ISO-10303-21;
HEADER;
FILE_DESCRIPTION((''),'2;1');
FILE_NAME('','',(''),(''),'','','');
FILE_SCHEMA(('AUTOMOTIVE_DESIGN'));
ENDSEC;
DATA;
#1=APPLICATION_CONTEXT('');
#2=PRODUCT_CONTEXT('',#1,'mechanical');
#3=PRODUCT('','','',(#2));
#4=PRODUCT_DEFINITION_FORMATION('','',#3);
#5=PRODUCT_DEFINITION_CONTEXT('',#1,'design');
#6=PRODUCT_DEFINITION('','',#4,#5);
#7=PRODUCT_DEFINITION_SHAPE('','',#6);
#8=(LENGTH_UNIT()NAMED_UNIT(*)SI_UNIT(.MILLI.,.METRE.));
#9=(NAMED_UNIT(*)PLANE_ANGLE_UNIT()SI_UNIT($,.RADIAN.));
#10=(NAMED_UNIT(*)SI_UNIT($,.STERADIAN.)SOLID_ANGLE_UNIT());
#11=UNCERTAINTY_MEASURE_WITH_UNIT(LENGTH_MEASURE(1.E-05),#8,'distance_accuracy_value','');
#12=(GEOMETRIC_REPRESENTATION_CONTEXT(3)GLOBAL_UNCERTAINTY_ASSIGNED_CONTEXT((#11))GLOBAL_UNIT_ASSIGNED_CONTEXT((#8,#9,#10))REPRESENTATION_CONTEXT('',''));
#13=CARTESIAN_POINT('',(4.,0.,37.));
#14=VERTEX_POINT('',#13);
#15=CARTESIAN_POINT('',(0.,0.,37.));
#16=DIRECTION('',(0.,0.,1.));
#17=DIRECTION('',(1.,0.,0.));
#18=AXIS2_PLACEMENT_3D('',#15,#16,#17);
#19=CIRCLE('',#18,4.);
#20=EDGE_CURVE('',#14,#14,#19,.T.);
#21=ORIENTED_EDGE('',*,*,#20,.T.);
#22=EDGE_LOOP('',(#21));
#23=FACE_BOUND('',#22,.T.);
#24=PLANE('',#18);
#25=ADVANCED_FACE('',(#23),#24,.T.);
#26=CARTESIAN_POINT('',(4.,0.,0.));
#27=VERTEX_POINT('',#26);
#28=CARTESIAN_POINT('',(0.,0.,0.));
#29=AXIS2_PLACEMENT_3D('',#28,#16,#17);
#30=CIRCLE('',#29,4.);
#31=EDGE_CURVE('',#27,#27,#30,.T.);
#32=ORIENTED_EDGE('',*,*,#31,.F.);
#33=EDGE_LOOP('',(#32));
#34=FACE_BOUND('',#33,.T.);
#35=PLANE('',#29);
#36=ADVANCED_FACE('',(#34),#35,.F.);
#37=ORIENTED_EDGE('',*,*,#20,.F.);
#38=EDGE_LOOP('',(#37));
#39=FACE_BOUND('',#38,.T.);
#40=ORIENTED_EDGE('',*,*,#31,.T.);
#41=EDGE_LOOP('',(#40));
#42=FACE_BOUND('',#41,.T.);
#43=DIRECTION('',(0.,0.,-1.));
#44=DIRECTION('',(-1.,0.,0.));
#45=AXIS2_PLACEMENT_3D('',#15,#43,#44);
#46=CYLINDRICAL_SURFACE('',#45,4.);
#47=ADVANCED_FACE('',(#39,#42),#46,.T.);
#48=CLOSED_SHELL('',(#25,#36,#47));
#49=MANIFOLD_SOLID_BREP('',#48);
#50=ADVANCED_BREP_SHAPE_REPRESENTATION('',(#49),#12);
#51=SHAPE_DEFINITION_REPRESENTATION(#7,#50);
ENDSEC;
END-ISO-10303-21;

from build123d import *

# Parameters (mm, degrees)
SKETCH_1_R      = 4
EXTRUDE_1_DEPTH = 37


with BuildPart() as part:
    # 草图1 → 凸台-拉伸1 (new body)
    with BuildSketch(Plane.XY):
        Circle(SKETCH_1_R)
    extrude(amount=EXTRUDE_1_DEPTH)


solid = part.part
